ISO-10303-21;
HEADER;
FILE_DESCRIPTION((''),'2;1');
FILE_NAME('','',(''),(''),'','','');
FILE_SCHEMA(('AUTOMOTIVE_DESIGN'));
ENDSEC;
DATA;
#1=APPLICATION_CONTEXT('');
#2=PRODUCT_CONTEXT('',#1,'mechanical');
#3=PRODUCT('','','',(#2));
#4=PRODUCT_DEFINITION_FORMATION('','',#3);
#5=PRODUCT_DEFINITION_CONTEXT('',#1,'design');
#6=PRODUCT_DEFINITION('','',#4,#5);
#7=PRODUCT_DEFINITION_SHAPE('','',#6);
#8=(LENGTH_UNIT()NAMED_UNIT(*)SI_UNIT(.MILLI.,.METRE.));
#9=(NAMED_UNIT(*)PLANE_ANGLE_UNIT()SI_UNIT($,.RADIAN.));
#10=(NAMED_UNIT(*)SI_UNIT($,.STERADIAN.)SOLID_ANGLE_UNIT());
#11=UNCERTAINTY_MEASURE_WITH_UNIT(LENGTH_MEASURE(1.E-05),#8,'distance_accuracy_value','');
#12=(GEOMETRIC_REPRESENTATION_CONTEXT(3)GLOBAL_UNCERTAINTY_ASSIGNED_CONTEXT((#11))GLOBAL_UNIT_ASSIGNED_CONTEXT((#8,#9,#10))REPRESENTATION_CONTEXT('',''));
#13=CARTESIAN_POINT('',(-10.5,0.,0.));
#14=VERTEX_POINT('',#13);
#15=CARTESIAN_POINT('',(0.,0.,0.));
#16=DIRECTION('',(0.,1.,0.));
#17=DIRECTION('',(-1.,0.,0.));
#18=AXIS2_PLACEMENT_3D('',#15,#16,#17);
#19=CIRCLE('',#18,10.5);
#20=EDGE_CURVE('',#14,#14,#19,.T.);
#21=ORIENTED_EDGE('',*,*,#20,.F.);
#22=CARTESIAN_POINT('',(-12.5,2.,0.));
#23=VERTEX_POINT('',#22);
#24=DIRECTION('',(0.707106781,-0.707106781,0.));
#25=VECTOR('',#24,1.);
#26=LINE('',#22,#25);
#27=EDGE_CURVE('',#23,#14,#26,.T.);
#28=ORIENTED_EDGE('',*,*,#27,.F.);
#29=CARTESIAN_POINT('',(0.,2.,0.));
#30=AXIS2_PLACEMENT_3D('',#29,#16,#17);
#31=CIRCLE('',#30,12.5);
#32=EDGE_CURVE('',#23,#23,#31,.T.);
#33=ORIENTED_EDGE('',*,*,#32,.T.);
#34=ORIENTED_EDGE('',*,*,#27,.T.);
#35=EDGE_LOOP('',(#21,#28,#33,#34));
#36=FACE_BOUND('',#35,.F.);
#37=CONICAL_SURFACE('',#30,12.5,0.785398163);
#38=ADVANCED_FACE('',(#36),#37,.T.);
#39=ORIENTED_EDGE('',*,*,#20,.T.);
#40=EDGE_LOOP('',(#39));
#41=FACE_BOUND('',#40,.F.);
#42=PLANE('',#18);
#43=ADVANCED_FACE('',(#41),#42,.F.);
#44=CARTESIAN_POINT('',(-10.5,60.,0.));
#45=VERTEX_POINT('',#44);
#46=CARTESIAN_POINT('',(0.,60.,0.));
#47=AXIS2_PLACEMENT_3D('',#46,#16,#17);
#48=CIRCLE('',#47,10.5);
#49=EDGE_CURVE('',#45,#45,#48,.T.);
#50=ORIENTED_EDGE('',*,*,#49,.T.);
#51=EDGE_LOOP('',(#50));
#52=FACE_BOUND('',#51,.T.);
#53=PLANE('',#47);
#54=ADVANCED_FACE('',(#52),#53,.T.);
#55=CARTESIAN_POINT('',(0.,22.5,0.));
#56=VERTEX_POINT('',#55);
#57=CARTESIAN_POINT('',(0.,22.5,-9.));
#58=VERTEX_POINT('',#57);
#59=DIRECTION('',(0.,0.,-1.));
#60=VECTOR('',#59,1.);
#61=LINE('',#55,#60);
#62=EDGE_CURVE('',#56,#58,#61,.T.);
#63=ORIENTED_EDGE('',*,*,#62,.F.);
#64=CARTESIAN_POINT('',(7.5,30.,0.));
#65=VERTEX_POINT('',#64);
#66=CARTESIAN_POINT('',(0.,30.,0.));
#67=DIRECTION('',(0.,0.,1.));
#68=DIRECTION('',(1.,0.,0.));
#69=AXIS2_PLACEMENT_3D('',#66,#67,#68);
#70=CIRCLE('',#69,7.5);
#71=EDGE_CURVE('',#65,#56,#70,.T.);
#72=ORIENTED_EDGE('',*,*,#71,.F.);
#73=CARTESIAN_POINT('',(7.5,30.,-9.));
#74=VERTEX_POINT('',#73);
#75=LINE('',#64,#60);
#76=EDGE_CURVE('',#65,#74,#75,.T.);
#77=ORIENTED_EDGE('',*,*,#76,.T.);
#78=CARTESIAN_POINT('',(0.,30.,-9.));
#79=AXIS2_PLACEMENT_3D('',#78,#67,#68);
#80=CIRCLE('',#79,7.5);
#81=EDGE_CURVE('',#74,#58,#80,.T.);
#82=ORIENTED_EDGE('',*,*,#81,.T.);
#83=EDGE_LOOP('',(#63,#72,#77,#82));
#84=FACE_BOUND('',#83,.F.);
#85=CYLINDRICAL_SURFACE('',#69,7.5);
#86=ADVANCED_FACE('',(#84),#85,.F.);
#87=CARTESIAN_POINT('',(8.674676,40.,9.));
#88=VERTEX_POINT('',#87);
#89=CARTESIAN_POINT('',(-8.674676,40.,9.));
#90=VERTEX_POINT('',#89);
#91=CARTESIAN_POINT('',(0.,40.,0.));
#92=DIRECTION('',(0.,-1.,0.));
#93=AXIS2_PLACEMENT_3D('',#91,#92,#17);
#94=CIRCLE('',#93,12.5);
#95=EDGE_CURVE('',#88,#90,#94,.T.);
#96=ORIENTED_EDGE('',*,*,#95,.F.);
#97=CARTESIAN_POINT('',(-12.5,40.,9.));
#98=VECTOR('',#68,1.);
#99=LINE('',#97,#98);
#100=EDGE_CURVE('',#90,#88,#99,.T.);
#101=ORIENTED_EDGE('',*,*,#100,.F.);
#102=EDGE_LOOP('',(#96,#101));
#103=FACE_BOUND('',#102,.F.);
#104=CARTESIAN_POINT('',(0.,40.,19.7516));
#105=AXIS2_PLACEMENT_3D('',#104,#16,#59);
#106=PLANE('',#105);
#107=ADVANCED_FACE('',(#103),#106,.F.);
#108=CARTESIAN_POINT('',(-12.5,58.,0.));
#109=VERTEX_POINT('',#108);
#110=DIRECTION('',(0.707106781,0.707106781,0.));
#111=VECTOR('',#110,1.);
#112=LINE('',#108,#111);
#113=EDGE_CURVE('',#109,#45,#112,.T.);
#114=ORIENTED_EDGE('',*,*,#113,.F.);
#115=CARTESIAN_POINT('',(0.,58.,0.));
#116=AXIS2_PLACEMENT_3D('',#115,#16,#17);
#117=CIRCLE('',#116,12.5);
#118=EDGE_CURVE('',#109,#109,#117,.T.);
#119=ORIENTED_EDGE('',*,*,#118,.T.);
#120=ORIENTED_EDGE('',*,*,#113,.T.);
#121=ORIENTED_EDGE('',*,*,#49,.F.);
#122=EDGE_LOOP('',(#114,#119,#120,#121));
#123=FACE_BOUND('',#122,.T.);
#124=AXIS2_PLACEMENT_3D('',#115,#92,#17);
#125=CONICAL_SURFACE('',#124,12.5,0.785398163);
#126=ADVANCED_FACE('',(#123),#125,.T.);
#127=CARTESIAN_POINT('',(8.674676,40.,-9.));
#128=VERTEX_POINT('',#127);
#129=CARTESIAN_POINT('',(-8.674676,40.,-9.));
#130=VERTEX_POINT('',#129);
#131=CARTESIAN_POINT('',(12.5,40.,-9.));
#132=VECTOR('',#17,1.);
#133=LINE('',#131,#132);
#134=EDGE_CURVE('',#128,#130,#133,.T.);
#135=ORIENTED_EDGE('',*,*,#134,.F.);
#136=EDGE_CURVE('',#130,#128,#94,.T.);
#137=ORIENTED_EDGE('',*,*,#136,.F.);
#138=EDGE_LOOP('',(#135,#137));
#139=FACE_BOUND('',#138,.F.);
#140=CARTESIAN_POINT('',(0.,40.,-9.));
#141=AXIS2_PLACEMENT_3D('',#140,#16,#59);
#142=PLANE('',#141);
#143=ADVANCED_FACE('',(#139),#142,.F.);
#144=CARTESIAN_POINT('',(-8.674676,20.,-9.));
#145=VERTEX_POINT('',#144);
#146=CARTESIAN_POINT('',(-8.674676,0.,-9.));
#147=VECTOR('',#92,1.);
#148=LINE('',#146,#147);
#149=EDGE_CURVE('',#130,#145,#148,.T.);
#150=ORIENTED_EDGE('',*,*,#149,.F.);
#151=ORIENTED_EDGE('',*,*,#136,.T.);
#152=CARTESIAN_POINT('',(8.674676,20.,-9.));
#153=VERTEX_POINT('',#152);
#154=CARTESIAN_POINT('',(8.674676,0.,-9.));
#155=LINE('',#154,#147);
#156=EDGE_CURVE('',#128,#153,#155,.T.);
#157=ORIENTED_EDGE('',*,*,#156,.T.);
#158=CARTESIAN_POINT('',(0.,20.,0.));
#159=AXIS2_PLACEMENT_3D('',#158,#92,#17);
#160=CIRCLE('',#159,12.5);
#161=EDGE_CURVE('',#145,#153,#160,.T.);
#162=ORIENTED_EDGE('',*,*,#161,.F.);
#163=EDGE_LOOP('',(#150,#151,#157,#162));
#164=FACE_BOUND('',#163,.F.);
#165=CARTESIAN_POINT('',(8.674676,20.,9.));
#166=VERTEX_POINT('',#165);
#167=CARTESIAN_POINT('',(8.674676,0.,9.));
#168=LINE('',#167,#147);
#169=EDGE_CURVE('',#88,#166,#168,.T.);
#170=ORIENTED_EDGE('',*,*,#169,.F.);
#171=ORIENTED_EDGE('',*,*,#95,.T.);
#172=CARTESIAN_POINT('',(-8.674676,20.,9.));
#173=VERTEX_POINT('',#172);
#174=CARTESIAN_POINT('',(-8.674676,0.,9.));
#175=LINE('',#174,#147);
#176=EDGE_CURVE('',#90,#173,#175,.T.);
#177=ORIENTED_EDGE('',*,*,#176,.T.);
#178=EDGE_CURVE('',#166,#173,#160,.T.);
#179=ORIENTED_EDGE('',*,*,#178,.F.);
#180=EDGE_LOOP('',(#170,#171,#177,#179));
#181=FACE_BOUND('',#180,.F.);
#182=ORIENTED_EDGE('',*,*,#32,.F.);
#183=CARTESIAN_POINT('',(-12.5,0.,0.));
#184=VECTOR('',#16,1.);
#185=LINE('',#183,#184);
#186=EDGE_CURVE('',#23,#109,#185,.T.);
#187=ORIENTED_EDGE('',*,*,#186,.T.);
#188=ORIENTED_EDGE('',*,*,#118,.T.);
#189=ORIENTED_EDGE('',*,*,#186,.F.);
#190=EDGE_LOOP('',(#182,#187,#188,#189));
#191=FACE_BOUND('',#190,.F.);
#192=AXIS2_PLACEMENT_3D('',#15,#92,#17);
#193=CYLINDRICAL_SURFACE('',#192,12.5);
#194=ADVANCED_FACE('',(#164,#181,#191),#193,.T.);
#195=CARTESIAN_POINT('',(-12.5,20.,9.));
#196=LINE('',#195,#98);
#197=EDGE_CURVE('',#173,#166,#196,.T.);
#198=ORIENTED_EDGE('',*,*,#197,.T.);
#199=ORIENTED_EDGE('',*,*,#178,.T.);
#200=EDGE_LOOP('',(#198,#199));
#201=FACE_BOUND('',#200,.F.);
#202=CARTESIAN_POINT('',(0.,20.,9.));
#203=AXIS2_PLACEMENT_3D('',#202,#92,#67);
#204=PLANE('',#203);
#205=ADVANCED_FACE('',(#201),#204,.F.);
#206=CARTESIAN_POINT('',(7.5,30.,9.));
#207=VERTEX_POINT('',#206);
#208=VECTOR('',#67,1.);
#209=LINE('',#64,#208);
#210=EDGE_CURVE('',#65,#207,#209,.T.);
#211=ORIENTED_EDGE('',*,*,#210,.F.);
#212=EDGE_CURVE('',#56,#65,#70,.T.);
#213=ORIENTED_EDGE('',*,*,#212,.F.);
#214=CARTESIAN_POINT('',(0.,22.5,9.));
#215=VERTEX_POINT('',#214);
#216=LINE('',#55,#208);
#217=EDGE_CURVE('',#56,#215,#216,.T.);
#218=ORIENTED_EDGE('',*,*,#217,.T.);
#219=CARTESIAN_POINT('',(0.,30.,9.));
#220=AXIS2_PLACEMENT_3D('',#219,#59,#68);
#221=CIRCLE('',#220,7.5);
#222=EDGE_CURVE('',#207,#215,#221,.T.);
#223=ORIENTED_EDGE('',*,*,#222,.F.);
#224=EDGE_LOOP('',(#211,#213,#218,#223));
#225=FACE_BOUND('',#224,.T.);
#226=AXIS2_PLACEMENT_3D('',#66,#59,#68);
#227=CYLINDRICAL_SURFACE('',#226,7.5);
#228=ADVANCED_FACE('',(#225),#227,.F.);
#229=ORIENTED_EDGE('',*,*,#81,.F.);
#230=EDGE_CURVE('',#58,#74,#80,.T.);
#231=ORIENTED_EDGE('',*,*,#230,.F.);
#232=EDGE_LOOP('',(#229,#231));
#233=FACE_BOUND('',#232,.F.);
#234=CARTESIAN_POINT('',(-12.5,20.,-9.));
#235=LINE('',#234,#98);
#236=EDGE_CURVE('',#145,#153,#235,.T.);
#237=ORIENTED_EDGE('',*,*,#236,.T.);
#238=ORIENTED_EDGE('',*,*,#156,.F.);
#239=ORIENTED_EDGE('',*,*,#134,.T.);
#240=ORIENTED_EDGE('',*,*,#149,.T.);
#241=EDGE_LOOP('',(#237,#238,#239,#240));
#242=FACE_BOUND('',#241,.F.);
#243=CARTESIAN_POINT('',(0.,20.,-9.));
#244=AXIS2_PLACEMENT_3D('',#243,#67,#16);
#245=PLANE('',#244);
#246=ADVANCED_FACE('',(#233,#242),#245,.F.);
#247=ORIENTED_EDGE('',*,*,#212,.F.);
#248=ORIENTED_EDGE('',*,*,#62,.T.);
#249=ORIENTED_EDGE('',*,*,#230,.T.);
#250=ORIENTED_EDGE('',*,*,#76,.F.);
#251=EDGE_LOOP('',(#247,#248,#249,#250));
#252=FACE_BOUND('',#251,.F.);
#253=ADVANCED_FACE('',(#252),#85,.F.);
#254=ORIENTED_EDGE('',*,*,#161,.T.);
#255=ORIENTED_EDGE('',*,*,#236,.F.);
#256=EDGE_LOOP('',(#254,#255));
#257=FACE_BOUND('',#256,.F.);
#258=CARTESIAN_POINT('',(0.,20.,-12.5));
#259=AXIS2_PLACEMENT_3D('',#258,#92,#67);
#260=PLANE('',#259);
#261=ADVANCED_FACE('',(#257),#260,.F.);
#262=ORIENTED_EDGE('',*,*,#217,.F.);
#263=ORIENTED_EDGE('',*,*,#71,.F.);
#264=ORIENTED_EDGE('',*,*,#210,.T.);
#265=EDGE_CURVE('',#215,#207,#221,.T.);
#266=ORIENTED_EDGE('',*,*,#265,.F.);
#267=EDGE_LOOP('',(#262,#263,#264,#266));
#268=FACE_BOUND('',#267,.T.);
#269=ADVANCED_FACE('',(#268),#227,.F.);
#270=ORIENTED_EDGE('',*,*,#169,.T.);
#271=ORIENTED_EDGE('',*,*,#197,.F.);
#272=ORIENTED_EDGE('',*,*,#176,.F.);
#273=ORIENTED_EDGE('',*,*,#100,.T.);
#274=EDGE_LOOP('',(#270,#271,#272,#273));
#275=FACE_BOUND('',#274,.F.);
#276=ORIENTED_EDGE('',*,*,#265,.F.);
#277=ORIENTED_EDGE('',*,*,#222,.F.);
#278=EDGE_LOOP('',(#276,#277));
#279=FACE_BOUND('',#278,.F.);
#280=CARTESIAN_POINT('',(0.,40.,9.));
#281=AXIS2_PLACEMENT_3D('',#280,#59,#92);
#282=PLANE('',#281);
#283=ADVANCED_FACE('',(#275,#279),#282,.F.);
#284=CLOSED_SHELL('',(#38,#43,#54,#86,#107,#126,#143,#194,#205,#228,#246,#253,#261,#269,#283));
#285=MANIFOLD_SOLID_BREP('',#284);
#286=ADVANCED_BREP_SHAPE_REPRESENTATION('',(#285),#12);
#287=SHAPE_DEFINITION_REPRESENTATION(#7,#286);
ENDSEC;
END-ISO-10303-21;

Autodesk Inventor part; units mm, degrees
ref_plane "YZ Plane" through (0, 0, 0) normal (1, 0, 0) x (0, 1, 0)
ref_plane "XZ Plane" through (0, 0, 0) normal (0, 1, 0) x (-1, 0, 0)
ref_plane "XY Plane" through (0, 0, 0) normal (0, 0, 1) x (1, 0, 0)
sketch "Sketch1" plane through (0, 0, 0) normal (0, 1, 0) x (-1, 0, 0)
  circle A0 centre (0, 0) radius 12.5
  dimension "d0" = 25
extrude "Extrusion1" add sketch "Sketch1" along normal blind 60
sketch "Sketch2" plane through (0, 0, 0) normal (0, 0, 1) x (1, 0, 0)
  line L0 (0, 0) -> (0, 30)
  circle A0 centre (0, 30) radius 7.5
  dimension "d3" = 30
  dimension "d4" = 15
extrude "Extrusion2" cut sketch "Sketch2" along normal mid plane 60
chamfer "Chamfer1" distance 2 angle 45 2 edges at (12.5, 60, 0) (12.5, 0, 0)
sketch "Sketch3" plane through (0, 0, 0) normal (1, 0, 0) x (0, 1, 0)
  line L0 (0, 0) -> (20, 0)
  line L1 (20, 0) -> (20, -9)
  line L2 (2, -12.5) -> (58, -12.5) projected
  line L3 (20, -9) -> (40, -9)
  line L4 (40, -9) -> (40, 9)
  line L5 (40, 9) -> (20, 9)
  line L6 (20, 9) -> (20, 0)
  line L7 (40, -9) -> (40, -15.8527)
  line L8 (40, -15.8527) -> (20, -15.8527)
  line L9 (20, -15.8527) -> (20, -9)
  line L10 (20, 9) -> (20, 19.7516)
  line L11 (20, 19.7516) -> (40, 19.7516)
  line L12 (40, 19.7516) -> (40, 9)
  dimension "d20" = 20
  dimension "d21" = 9
  dimension "d22" = 20
  dimension "d23" = 18
extrude "Extrusion3" cut sketch "Sketch3" along normal mid plane 25 contours L3 L7 L2 L9 | L10 L11 L12 L5 | L2 L7 L8 L9
properties part number "Pino Plataforma Deslizante"
